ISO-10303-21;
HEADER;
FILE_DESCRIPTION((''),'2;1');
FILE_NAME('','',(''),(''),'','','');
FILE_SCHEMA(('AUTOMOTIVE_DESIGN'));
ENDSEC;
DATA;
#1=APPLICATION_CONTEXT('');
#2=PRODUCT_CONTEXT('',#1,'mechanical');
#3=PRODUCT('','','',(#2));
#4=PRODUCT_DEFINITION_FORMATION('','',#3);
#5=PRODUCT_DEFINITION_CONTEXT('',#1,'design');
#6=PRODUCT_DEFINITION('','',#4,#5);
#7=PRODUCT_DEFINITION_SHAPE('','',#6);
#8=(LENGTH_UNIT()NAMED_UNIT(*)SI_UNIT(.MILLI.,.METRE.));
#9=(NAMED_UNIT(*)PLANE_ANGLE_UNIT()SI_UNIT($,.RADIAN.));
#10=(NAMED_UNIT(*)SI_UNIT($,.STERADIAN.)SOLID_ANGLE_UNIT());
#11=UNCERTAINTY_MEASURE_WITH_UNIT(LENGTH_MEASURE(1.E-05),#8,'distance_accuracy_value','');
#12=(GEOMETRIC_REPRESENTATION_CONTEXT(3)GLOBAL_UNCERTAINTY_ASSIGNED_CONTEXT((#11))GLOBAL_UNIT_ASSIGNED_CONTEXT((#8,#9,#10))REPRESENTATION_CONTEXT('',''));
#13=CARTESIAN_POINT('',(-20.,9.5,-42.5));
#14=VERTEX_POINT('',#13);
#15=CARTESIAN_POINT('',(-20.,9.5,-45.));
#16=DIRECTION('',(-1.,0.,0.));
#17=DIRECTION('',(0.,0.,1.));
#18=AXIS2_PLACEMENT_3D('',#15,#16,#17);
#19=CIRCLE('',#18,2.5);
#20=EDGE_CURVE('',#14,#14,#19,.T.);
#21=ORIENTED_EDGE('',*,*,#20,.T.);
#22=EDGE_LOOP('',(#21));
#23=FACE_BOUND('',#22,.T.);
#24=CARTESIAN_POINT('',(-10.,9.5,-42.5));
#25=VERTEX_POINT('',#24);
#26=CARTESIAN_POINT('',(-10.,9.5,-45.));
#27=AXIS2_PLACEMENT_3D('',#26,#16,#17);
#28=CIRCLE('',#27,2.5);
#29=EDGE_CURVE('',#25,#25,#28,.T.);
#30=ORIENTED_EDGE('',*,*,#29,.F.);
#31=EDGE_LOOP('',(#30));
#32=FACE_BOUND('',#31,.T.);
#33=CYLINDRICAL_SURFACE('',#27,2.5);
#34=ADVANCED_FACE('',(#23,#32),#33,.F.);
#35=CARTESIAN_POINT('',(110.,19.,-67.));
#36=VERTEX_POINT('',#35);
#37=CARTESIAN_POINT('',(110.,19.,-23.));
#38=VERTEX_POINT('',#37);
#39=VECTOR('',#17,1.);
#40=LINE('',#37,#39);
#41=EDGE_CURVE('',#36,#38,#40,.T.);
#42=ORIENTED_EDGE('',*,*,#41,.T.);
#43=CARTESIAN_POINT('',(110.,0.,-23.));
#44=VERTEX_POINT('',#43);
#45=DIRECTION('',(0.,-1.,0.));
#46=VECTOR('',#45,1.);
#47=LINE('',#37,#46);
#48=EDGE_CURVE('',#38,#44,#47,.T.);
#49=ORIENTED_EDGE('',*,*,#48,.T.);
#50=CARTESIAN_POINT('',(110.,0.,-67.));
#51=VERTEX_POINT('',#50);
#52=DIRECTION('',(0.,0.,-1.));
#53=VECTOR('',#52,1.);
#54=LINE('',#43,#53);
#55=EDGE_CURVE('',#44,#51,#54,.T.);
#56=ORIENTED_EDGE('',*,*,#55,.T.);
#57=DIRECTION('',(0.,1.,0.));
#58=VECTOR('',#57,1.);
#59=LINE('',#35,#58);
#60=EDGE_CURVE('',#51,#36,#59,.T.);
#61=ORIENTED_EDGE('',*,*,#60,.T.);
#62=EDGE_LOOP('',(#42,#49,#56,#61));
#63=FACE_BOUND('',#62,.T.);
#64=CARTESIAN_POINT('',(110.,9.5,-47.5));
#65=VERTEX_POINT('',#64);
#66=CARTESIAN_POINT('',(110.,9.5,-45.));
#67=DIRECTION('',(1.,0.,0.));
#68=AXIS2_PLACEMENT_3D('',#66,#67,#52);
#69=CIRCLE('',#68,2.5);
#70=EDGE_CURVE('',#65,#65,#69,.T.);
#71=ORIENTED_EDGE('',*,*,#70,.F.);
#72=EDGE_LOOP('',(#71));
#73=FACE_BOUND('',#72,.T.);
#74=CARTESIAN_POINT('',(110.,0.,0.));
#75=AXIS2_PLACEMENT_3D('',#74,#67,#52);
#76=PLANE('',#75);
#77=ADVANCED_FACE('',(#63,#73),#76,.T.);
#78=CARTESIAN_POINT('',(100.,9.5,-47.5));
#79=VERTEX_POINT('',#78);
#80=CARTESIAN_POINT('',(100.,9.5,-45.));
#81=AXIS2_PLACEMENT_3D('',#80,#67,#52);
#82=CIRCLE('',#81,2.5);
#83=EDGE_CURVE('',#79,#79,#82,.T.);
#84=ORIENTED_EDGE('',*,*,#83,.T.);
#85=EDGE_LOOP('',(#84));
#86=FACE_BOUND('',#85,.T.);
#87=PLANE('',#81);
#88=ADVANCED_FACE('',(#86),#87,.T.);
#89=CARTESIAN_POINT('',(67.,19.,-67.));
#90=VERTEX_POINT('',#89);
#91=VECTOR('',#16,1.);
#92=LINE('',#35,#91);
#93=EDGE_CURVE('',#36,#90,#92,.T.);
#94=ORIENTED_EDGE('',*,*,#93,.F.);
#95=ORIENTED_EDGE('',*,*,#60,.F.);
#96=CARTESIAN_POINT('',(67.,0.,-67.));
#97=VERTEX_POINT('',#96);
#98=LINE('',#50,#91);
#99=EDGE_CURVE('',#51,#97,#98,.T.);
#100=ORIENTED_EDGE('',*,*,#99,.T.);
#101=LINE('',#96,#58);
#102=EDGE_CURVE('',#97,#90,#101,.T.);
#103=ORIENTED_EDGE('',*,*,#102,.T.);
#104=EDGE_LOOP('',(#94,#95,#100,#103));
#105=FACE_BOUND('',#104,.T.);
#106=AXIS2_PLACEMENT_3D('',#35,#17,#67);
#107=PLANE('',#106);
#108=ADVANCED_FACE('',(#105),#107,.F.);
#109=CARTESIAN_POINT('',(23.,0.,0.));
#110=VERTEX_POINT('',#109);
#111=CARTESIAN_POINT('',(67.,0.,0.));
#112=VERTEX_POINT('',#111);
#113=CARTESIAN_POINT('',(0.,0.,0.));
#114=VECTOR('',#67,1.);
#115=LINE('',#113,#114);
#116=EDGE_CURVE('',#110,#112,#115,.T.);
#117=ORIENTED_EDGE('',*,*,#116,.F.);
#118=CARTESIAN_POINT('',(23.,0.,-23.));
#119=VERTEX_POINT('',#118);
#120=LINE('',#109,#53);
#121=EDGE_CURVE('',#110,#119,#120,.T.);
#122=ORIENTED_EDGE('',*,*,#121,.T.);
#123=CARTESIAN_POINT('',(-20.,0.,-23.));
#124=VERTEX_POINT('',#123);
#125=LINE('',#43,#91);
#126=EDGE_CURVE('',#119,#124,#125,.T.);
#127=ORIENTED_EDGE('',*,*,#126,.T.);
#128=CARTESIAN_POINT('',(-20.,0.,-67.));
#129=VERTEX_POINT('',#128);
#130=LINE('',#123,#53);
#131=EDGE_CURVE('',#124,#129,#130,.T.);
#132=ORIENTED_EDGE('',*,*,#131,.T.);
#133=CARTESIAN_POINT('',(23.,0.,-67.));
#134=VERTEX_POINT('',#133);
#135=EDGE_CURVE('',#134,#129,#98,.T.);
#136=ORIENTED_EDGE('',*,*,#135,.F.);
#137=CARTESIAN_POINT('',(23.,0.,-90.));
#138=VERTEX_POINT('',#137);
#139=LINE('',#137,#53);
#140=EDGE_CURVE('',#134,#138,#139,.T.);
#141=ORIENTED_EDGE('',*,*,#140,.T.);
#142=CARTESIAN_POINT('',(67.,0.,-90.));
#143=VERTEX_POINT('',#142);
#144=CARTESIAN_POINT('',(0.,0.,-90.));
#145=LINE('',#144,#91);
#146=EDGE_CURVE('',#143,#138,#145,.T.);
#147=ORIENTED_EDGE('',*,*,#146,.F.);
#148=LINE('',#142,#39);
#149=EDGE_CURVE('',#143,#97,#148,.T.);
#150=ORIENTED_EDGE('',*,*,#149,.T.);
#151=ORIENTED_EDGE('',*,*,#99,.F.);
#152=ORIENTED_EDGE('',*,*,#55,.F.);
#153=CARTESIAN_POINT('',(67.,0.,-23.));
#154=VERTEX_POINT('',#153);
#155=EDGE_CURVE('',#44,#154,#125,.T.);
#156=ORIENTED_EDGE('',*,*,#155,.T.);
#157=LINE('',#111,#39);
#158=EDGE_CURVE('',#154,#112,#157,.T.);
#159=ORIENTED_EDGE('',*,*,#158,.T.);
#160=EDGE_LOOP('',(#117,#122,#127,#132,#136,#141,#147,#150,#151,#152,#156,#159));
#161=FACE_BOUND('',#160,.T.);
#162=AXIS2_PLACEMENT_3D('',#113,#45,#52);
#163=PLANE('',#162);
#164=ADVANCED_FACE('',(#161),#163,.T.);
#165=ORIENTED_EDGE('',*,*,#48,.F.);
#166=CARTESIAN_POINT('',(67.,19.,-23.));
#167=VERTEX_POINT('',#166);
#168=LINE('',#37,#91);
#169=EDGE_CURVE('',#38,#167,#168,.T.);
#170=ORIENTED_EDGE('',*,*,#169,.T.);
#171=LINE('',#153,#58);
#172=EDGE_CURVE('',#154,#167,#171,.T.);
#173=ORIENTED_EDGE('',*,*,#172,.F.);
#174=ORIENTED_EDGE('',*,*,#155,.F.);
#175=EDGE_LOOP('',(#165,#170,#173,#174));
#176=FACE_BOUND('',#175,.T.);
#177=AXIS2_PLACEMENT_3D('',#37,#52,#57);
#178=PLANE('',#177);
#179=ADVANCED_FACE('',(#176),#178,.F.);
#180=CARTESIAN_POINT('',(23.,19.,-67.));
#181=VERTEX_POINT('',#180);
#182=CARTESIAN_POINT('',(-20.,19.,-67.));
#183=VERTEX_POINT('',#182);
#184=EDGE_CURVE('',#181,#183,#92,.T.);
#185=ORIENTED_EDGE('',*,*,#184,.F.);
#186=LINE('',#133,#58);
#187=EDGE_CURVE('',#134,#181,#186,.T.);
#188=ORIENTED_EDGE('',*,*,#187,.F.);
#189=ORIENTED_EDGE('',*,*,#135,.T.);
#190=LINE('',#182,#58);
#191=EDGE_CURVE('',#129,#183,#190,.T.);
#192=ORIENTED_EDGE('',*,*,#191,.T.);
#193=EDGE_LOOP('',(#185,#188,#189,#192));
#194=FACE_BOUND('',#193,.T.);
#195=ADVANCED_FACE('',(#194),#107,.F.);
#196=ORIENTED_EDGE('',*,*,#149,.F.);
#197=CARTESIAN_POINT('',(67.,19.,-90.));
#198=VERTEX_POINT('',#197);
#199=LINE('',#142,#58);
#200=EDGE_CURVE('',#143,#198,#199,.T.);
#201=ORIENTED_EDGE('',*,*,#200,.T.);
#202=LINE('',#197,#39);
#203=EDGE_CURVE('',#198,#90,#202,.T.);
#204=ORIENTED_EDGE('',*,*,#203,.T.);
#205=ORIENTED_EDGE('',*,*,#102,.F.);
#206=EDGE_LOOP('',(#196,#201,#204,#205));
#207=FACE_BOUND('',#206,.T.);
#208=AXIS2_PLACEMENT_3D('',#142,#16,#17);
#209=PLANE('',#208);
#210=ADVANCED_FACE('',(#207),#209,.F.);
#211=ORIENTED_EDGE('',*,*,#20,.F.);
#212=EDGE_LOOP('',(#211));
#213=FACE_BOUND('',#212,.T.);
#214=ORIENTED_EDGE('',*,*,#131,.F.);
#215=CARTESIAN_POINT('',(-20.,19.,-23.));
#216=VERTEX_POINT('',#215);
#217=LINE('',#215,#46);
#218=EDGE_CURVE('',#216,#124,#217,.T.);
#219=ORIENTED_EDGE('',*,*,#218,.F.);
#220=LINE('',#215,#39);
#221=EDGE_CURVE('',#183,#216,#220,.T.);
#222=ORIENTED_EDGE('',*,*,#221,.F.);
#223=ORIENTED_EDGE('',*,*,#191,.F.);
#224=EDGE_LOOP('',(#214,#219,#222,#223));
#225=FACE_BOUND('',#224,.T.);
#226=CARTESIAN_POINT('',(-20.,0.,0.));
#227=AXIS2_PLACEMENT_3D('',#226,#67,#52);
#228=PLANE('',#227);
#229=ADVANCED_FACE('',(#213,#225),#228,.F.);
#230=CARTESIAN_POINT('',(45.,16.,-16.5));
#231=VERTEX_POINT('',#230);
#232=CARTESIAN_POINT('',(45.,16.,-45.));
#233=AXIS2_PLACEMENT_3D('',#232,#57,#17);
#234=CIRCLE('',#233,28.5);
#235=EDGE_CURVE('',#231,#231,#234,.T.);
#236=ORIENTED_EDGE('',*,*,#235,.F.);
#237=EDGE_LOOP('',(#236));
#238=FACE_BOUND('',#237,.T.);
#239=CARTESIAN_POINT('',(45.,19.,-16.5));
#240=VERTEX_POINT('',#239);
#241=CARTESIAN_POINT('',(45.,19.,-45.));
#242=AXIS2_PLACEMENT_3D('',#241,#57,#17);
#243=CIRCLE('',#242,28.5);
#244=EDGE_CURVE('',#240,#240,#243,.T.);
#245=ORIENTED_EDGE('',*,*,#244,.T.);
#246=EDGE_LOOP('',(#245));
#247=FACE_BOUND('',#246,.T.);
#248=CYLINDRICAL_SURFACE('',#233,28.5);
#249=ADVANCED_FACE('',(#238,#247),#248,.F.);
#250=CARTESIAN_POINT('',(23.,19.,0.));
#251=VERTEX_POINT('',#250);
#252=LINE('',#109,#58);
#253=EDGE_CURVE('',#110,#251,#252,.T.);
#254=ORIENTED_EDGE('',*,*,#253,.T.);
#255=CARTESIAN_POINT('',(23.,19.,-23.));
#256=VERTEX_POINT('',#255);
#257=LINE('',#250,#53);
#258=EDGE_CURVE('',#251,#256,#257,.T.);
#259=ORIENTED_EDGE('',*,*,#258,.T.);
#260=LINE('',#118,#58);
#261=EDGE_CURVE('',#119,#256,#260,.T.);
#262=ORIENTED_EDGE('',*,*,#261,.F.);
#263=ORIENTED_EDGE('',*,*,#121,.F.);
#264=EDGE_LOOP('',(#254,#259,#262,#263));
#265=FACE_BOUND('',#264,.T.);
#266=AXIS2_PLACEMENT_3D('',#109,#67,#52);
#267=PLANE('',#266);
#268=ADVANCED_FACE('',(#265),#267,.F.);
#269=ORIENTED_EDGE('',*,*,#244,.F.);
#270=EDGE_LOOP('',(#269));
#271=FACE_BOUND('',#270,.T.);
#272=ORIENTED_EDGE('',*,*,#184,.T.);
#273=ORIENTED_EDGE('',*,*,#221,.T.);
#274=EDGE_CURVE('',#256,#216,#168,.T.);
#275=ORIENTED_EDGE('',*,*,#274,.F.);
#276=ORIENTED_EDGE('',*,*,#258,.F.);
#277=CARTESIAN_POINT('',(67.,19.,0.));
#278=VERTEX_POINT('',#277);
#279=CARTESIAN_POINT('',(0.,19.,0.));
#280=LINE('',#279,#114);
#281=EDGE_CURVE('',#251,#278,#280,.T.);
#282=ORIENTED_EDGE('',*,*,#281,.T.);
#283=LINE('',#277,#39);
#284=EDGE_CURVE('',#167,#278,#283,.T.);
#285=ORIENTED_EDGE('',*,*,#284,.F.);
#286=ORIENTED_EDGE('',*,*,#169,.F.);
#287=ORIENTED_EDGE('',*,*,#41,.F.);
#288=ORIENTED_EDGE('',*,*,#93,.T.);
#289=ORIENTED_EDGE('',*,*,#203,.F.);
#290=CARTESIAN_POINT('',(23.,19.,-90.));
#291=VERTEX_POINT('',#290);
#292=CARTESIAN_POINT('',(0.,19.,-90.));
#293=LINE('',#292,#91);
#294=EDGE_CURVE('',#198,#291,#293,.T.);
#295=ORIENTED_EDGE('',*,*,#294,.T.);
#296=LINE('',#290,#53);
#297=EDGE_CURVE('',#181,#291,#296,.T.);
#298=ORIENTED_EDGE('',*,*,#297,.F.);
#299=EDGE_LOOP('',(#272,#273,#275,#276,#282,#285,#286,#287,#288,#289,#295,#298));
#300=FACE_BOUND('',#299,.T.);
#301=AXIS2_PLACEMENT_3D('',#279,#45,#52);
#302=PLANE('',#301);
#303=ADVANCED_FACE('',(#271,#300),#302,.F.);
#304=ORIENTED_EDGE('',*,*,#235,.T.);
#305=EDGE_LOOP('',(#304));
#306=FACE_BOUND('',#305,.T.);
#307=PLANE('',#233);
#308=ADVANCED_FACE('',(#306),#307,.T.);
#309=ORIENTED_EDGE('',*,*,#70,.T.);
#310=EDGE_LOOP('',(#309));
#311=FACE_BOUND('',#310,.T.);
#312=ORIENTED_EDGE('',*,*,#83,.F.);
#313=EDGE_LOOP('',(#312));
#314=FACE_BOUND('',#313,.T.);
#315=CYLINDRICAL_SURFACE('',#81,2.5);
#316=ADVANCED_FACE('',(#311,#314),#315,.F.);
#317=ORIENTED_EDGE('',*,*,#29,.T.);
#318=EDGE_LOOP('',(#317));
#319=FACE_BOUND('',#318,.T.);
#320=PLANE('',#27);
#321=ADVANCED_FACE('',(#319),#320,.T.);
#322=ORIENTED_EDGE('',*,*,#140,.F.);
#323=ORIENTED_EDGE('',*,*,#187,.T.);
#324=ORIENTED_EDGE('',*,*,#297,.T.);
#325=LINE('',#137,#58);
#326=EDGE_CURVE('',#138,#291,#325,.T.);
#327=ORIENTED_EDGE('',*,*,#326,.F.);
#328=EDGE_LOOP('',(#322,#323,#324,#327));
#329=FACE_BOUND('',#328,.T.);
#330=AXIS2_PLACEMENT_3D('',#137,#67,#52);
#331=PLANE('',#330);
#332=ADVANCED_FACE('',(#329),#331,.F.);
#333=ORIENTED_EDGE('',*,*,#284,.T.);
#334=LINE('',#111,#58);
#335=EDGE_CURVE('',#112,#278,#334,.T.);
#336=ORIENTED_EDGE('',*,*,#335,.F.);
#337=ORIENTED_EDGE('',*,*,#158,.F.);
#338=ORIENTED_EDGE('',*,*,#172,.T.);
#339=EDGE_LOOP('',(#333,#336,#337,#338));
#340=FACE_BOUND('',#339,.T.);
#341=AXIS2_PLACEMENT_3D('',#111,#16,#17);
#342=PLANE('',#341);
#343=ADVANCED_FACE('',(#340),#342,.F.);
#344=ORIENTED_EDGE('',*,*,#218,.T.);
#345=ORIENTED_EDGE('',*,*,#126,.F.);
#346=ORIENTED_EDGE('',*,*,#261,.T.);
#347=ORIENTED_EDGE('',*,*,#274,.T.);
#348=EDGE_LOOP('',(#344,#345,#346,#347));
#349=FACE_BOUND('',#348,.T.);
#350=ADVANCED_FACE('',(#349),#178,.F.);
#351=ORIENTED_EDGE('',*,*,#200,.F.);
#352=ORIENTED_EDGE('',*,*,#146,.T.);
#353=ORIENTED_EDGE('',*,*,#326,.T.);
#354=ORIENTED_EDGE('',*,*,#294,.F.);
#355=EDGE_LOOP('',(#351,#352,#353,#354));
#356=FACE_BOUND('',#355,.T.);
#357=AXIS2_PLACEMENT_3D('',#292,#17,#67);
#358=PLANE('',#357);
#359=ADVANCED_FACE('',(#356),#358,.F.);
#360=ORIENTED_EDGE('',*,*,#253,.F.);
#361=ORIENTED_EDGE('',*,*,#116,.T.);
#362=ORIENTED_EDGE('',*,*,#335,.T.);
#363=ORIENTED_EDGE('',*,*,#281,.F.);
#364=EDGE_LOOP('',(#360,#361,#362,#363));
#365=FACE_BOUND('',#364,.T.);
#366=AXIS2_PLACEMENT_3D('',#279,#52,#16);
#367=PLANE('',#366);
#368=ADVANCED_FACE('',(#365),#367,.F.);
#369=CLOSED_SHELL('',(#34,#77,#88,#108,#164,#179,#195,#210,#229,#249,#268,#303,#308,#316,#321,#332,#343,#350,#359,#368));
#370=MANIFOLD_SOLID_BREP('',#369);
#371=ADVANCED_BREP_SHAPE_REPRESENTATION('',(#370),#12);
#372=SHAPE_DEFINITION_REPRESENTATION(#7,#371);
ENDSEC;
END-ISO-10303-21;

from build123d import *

# Parameters (mm, degrees)
SKETCH1_W           = 90
SKETCH1_H           = 90
BOSS_EXTRUDE1_DEPTH = 19
SKETCH9_W           = 44
SKETCH9_H           = 19
BOSS_EXTRUDE2_DEPTH = 65
SKETCH2_R           = 28.5
CUT_EXTRUDE1_DEPTH  = 3
SKETCH4_W           = 23
SKETCH4_H           = 23
CUT_EXTRUDE3_DEPTH  = 144.391073641
SKETCH11_R          = 2.5
CUT_EXTRUDE4_DEPTH  = 10
CUT_EXTRUDE5_START  = -10
SKETCH12_R          = 2.5
CUT_EXTRUDE5_DEPTH  = 10


with BuildPart() as part:
    # Sketch1 → Boss-Extrude1 (new body)
    with BuildSketch(Plane(origin=(0, 0, 0), x_dir=(1, 0, 0), z_dir=(0, 1, 0))):
        with Locations((45, 45)):
            Rectangle(SKETCH1_W, SKETCH1_H)
    extrude(amount=BOSS_EXTRUDE1_DEPTH)

    # Sketch9 → Boss-Extrude2 (add, symmetric)
    with BuildSketch(Plane(origin=(45, 0, 0), x_dir=(0, 0, -1), z_dir=(1, 0, 0))):
        with Locations((45, 9.5)):
            Rectangle(SKETCH9_W, SKETCH9_H)
    extrude(amount=BOSS_EXTRUDE2_DEPTH, both=True)

    # Sketch2 → Cut-Extrude1 (cut)
    with BuildSketch(Plane(origin=(0, 19, 0), x_dir=(1, 0, 0), z_dir=(0, 1, 0))):
        with Locations((45, 45)):
            Circle(SKETCH2_R)
    extrude(amount=-CUT_EXTRUDE1_DEPTH, mode=Mode.SUBTRACT)

    # Sketch4 → Cut-Extrude3 (cut, through all)
    with BuildSketch(Plane(origin=(0, 19, 0), x_dir=(1, 0, 0), z_dir=(0, 1, 0))):
        with Locations((11.5, 11.5)):
            Rectangle(SKETCH4_W, SKETCH4_H)
        with Locations((11.5, 78.5)):
            Rectangle(SKETCH4_W, SKETCH4_H)
        with Locations((78.5, 78.5)):
            Rectangle(SKETCH4_W, SKETCH4_H)
        with Locations((78.5, 11.5)):
            Rectangle(SKETCH4_W, SKETCH4_H)
    extrude(amount=-CUT_EXTRUDE3_DEPTH, mode=Mode.SUBTRACT)

    # Sketch11 → Cut-Extrude4 (cut)
    with BuildSketch(Plane(origin=(110, 0, 0), x_dir=(0, 0, -1), z_dir=(1, 0, 0))):
        with Locations((45, 9.5)):
            Circle(SKETCH11_R)
    extrude(amount=-CUT_EXTRUDE4_DEPTH, mode=Mode.SUBTRACT)

    # Sketch12 → Cut-Extrude5 (cut)
    with BuildSketch(Plane.ZY.offset(20).offset(CUT_EXTRUDE5_START)):
        with Locations((-45, 9.5)):
            Circle(SKETCH12_R)
    extrude(amount=CUT_EXTRUDE5_DEPTH, mode=Mode.SUBTRACT)


solid = part.part
